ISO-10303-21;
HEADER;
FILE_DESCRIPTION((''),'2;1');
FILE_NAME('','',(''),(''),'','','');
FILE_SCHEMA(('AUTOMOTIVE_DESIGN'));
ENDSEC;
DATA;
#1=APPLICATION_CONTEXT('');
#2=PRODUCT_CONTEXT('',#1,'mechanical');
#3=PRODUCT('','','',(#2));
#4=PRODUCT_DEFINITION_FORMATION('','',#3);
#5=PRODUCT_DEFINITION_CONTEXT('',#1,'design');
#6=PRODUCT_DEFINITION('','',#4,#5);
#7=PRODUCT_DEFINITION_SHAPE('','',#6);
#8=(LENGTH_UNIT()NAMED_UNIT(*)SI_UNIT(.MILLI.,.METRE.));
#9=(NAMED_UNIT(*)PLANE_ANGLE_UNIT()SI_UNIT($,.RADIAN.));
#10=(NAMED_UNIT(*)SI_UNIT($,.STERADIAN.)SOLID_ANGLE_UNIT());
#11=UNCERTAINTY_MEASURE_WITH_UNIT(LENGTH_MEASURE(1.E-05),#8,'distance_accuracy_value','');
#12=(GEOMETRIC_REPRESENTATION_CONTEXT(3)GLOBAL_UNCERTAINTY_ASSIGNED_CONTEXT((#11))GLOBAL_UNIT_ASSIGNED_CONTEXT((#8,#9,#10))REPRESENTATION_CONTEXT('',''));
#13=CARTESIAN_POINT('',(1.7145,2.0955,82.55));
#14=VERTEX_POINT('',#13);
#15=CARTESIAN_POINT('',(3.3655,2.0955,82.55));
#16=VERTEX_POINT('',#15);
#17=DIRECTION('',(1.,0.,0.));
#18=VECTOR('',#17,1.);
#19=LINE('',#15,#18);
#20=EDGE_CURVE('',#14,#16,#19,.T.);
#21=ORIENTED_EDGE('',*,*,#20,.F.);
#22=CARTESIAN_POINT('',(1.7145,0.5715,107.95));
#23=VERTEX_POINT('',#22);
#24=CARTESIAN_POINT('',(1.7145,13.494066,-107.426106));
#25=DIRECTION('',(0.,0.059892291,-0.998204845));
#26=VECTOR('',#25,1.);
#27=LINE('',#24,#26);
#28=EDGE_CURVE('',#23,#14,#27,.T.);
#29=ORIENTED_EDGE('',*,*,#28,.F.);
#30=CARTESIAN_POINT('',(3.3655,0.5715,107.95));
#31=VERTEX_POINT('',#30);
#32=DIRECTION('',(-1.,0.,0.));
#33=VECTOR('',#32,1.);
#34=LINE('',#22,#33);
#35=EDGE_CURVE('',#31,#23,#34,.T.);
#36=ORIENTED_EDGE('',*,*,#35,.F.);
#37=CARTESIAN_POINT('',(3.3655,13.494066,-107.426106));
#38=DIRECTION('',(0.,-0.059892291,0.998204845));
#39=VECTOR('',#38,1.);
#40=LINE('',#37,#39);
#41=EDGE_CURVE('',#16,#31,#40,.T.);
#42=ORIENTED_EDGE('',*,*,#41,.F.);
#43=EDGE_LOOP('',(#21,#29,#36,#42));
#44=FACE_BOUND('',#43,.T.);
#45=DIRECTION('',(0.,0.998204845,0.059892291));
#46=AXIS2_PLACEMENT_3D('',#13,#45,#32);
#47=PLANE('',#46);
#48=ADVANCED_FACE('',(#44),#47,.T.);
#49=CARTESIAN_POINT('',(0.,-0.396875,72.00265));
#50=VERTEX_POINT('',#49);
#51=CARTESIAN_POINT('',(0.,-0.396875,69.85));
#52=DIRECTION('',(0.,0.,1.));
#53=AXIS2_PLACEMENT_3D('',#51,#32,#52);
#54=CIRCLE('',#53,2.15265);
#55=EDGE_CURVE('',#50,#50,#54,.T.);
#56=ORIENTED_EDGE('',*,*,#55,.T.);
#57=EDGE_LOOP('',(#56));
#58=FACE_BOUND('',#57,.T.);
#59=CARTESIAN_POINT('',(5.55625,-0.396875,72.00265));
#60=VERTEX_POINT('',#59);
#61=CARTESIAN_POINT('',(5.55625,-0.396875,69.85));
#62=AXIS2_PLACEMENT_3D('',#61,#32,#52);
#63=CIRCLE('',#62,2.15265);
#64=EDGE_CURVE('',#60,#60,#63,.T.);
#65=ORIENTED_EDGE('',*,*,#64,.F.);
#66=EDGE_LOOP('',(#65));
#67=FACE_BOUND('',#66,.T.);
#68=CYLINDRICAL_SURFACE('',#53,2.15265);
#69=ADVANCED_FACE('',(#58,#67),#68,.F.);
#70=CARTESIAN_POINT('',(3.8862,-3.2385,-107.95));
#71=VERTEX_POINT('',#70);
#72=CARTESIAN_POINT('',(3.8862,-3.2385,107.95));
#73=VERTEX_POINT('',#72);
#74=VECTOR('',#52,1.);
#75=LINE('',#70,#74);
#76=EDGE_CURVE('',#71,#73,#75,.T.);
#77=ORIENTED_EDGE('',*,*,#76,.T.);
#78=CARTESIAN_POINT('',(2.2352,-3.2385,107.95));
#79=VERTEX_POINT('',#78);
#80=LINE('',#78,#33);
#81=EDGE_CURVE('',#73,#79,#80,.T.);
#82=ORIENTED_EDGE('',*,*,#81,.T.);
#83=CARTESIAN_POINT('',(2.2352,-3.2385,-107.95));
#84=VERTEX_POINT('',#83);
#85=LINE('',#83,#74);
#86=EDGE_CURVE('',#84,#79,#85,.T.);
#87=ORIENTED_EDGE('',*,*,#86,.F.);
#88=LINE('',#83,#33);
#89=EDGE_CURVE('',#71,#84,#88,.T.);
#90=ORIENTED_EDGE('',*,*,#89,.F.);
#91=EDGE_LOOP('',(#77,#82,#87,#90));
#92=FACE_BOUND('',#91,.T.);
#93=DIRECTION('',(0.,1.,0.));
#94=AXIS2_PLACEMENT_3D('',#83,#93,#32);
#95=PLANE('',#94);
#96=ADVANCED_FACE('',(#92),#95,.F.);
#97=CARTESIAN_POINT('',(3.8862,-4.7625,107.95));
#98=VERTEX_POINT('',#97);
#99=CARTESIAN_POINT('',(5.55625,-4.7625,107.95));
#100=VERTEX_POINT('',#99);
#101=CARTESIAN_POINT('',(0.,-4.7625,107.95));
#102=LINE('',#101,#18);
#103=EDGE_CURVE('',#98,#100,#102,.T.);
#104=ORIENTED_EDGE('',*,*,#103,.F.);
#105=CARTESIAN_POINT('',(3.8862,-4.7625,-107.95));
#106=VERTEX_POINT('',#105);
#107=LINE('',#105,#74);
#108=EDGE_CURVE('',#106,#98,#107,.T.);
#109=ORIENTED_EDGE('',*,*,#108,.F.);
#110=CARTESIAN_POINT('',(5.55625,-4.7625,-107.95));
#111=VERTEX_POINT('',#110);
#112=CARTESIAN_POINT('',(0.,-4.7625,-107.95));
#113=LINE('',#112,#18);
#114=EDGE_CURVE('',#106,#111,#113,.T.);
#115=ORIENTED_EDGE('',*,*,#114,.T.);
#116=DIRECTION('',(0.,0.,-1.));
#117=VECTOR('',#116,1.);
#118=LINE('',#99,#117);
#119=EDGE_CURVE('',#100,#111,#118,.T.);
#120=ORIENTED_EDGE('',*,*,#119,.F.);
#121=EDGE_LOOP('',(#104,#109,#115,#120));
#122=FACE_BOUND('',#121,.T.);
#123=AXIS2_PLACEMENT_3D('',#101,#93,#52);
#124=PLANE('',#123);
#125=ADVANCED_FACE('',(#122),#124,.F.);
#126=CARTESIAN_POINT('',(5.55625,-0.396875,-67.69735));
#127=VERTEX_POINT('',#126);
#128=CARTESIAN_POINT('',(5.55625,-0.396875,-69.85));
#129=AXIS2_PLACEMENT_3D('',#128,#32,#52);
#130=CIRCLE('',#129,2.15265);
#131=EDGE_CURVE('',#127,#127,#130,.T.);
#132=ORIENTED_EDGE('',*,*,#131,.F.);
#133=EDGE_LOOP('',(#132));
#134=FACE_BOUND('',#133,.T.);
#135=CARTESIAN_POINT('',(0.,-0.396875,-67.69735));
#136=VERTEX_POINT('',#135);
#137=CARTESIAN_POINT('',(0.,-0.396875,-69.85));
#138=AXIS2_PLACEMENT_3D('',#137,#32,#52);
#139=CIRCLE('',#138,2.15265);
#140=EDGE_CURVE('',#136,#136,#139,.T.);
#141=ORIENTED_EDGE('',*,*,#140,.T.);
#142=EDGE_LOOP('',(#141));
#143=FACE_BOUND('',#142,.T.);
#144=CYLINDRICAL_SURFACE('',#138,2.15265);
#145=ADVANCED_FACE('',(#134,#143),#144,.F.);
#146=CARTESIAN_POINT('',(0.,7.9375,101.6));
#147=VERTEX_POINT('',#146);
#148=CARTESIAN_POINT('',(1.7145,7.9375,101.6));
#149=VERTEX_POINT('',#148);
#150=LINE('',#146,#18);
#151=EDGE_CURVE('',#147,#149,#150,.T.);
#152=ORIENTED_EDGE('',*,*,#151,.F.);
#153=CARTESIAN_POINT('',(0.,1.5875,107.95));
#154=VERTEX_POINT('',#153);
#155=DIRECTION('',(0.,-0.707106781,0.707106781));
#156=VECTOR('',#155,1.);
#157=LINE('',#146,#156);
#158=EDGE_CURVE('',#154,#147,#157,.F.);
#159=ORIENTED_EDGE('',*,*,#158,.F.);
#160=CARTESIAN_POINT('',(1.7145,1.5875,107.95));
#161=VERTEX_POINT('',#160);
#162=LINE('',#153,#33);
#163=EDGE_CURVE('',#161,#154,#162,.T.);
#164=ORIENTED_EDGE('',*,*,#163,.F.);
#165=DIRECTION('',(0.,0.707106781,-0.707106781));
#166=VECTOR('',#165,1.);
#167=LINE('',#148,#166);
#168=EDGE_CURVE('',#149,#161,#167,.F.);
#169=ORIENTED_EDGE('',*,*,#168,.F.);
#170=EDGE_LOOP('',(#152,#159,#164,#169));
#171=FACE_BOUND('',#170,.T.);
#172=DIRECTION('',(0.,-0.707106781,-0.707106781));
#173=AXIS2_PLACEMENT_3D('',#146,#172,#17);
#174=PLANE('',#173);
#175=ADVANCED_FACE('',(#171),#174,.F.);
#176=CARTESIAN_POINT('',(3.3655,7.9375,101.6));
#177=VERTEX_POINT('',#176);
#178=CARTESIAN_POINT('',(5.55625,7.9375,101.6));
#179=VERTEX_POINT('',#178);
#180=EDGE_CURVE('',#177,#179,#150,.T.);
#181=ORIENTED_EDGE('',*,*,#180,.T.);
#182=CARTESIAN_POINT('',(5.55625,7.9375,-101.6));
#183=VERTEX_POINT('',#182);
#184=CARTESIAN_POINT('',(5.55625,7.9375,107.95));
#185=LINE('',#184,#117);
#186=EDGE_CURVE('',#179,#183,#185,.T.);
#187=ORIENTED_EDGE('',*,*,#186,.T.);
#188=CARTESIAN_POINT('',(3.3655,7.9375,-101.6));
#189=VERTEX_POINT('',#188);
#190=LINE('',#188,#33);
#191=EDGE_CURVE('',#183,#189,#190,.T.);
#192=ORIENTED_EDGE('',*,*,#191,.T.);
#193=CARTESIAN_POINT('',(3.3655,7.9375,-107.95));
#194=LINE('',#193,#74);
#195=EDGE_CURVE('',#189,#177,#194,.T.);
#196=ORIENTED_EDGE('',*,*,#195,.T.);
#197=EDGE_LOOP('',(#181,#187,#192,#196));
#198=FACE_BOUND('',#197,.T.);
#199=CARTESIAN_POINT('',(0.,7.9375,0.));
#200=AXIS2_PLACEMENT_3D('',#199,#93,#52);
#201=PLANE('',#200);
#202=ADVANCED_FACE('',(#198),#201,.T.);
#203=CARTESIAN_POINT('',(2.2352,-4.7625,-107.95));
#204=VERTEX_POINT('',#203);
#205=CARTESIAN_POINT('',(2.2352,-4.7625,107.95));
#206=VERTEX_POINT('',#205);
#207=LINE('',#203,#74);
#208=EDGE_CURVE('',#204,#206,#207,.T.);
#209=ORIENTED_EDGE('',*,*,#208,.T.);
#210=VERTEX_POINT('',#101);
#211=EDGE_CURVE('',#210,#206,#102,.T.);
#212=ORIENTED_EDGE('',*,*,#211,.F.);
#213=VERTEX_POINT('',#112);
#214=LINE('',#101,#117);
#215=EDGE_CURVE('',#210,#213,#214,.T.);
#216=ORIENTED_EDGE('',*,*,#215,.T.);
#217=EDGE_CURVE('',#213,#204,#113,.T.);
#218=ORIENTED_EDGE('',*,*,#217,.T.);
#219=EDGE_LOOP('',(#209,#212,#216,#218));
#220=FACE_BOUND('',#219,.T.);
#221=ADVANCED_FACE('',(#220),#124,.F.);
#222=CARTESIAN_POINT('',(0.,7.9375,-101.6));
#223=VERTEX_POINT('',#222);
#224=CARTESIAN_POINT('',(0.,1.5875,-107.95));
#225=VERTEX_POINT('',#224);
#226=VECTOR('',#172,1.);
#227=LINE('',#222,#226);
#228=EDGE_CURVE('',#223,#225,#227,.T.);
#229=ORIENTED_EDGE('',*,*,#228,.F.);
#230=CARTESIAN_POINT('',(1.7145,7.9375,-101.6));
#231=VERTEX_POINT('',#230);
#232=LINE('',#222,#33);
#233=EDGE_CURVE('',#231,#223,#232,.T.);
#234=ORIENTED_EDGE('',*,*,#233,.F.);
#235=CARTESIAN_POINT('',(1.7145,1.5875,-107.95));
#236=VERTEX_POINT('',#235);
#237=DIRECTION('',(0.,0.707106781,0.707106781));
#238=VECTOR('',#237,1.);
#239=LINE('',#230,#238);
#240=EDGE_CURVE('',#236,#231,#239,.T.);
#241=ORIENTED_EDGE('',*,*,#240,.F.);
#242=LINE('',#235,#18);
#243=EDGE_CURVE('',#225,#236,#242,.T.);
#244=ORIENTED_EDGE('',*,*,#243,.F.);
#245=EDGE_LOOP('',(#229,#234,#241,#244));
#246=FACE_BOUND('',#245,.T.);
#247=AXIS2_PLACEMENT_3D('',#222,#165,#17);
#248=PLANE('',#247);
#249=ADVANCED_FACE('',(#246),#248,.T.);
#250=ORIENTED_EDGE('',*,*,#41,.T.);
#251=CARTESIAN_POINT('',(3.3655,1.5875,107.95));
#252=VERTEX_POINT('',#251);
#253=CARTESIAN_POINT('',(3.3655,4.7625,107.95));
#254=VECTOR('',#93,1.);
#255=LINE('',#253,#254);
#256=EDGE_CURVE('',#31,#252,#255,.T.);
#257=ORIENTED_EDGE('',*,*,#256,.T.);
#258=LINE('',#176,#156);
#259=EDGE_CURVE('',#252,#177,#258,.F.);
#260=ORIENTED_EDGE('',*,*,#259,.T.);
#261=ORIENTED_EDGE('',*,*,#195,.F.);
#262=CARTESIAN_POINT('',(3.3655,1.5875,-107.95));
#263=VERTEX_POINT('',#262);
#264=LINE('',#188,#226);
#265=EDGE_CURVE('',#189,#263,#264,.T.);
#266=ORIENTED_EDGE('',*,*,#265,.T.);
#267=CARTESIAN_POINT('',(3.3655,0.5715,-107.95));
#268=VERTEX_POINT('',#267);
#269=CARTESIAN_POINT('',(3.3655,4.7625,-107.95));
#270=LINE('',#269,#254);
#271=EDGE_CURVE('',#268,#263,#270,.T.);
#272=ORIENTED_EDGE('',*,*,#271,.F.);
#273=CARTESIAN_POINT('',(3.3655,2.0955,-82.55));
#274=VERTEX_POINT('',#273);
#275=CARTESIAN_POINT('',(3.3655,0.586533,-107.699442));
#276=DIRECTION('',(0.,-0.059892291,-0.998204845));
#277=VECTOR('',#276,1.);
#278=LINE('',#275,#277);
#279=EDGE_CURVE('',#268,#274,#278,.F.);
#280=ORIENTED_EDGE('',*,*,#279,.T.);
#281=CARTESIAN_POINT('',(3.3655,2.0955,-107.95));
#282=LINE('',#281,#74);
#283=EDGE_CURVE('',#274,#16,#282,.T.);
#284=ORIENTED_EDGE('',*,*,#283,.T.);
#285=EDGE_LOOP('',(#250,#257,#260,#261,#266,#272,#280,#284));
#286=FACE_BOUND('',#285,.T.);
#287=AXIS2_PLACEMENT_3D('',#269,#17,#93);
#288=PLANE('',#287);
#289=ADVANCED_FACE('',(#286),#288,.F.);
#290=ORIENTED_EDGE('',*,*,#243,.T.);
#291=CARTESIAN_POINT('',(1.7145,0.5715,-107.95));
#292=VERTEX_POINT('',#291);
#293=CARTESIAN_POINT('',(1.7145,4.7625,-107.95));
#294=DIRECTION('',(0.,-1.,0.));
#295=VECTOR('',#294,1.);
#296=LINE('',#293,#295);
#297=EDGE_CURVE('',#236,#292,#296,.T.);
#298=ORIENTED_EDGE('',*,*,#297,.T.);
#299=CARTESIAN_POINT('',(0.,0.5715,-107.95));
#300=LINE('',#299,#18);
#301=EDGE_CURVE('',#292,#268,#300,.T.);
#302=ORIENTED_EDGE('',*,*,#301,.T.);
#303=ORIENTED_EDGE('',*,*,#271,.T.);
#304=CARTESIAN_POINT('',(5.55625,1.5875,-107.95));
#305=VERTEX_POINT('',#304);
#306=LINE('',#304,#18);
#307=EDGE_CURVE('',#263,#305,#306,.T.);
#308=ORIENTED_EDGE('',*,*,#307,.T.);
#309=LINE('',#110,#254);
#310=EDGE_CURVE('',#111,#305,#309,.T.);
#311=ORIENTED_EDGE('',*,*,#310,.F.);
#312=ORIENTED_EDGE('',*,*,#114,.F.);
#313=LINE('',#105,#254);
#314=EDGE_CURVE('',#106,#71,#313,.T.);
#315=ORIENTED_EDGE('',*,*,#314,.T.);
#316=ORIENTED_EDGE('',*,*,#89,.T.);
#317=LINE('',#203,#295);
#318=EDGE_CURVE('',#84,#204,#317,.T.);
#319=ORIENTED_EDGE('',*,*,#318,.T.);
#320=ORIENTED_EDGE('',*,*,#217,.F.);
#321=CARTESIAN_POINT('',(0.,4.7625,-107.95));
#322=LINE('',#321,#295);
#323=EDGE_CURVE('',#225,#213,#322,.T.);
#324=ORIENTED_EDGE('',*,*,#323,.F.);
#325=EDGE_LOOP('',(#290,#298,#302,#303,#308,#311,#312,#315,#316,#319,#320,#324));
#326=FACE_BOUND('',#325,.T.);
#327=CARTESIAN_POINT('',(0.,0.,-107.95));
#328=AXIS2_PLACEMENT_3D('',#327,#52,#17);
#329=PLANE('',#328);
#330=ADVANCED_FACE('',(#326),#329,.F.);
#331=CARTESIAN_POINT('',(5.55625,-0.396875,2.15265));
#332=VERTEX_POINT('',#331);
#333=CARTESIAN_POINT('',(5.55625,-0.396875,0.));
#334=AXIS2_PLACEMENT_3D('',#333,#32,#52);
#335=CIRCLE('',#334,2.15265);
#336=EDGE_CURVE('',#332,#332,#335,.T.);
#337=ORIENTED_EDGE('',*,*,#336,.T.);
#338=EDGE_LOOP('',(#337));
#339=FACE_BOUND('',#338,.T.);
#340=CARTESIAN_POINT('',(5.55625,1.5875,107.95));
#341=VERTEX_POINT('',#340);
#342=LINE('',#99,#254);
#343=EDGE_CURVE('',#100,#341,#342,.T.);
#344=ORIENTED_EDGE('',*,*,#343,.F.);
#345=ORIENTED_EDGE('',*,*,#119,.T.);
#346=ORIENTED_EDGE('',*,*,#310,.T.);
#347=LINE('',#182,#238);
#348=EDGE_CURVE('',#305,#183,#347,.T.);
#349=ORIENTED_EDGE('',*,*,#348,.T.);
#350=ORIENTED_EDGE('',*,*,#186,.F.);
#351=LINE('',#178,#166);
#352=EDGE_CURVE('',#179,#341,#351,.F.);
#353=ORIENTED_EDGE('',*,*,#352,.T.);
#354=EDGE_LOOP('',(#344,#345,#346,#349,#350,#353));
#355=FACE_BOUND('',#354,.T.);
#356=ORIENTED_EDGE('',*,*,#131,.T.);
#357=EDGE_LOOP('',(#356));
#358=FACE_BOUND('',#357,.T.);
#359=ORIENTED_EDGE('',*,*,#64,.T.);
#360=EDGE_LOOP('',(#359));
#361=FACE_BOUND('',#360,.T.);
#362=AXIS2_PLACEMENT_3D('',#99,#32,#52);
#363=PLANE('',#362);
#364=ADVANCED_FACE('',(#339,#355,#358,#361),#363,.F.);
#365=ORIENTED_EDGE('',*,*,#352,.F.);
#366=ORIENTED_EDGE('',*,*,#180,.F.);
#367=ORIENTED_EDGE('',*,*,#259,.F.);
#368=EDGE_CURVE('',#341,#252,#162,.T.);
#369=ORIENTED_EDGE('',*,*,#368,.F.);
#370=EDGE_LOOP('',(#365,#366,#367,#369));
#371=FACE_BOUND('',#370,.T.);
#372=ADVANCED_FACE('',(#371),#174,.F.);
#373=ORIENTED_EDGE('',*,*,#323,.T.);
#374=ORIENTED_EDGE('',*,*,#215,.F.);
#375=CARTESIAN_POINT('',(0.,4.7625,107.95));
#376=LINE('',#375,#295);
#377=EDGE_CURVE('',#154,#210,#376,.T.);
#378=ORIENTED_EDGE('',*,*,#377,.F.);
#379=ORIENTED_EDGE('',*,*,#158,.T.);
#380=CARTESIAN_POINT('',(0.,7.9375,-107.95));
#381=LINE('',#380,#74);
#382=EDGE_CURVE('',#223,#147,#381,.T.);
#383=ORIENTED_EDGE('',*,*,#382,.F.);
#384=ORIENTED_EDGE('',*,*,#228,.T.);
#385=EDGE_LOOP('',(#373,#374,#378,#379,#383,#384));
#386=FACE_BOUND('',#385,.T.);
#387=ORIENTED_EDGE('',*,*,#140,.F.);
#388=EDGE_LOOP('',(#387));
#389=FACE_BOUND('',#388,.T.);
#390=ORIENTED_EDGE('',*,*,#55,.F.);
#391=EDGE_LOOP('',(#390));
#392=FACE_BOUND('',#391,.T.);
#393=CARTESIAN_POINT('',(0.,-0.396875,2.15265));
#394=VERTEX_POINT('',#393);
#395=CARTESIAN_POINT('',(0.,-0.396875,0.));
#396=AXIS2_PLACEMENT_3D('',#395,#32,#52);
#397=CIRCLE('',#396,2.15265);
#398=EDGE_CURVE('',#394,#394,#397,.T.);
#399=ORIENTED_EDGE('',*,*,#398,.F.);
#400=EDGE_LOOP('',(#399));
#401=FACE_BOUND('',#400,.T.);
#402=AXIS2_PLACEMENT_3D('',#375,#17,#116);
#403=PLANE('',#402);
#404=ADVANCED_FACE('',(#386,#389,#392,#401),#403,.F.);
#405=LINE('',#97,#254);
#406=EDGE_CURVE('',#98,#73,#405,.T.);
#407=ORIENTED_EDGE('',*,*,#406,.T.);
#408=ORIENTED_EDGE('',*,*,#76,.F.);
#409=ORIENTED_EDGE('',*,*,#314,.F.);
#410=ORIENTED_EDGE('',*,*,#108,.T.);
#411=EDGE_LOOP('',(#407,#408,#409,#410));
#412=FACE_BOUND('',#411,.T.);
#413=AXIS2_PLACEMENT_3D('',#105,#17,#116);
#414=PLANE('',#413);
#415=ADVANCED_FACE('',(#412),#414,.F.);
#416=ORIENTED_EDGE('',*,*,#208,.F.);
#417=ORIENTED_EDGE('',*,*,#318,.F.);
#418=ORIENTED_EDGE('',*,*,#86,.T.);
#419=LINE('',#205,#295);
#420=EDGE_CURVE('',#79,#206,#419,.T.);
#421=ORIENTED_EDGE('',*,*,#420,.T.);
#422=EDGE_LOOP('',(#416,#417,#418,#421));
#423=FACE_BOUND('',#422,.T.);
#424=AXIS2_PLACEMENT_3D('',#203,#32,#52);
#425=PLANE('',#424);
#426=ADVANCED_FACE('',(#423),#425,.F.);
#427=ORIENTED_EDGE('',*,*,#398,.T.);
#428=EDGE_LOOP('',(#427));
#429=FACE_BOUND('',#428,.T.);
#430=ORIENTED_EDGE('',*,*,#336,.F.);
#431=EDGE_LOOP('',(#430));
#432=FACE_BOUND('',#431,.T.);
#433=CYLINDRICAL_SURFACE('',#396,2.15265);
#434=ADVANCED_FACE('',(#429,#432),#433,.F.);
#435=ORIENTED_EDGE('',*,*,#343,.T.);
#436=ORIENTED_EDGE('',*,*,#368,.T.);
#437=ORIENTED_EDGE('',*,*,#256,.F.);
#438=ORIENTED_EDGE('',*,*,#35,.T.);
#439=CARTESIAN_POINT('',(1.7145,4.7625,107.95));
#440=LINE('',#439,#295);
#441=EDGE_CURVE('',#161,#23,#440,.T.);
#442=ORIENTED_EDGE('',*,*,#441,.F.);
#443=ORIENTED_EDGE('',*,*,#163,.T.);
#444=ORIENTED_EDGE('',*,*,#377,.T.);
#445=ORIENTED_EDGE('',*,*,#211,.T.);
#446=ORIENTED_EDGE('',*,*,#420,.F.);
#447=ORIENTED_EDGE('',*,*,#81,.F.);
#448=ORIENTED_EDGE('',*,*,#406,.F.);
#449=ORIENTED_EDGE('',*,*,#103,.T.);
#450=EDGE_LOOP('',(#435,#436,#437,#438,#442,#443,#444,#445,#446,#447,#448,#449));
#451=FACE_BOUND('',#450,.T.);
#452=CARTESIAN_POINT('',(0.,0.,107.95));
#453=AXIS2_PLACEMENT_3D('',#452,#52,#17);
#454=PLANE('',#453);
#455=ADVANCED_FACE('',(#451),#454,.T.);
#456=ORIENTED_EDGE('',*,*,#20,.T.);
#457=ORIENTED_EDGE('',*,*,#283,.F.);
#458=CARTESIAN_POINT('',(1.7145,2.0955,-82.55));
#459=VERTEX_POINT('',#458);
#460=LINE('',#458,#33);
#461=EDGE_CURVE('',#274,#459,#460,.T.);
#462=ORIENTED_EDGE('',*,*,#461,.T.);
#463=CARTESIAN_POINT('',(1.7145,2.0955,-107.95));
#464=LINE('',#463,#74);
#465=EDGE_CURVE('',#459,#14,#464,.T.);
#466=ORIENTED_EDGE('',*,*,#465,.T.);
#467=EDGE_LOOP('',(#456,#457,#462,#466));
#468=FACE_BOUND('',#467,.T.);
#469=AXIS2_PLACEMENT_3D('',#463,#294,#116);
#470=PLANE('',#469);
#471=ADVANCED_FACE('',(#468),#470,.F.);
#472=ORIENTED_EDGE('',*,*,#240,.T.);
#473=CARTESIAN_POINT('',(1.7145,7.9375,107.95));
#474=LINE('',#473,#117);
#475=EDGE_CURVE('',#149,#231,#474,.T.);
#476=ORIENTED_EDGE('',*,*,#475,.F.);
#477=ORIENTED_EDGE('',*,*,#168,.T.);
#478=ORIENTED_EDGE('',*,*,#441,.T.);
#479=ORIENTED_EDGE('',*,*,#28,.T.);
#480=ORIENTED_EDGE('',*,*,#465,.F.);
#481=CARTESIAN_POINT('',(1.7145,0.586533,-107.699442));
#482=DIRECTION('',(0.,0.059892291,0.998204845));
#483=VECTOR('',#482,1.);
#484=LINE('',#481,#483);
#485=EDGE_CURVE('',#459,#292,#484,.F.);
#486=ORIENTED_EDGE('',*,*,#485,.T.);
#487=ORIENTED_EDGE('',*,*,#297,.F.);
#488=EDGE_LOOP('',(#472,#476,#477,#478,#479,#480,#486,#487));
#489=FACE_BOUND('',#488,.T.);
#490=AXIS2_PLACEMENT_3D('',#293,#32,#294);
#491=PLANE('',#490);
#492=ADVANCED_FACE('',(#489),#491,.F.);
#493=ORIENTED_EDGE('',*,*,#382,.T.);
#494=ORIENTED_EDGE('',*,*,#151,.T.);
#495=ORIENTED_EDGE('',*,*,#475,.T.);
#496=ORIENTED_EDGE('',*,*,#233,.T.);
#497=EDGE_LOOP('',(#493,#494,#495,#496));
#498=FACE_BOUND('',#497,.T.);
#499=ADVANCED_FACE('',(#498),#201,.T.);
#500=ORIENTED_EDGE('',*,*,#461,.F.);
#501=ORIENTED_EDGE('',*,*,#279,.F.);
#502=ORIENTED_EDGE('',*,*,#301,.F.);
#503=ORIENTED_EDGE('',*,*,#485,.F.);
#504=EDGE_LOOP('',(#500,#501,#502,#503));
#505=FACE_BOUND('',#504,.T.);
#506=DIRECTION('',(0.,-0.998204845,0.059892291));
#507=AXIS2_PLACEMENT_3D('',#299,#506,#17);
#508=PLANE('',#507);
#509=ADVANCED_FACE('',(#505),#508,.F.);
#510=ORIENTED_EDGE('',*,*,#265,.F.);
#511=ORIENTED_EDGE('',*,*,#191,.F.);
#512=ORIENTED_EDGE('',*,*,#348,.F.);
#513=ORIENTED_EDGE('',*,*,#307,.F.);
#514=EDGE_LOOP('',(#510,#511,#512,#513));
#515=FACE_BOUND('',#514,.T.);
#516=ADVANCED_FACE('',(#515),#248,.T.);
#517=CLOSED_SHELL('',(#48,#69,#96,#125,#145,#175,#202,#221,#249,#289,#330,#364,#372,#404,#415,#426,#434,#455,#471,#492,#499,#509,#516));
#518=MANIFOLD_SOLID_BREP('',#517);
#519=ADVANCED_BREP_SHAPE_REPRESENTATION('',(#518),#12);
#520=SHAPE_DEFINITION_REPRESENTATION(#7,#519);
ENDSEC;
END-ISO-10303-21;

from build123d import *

# Parameters (mm, degrees)
SKETCH1_W                    = 5.55625
SKETCH1_H                    = 9.525
BOSS_EXTRUDE1_DEPTH          = 107.95
SKETCH17_W                   = 1.651
SKETCH17_H                   = 2.667
CUT_EXTRUDE8_DEPTH           = 216.9
SKETCH18_W                   = 1.651
SKETCH18_H                   = 1.524
CUT_EXTRUDE9_DEPTH           = 216.9
F_18_0_1695_DIAMETER_HOLE1_D = 4.3053
CHAMFER1_SIZE                = 1.524
CHAMFER1_SIZE2               = 25.4
CHAMFER2_SIZE                = 25.4
CHAMFER2_SIZE2               = 1.524
SKETCH25_W                   = 1.7145
SKETCH25_H                   = 215.9
SKETCH25_W_2                 = 2.19075
BOSS_EXTRUDE2_DEPTH          = 3.175
CHAMFER3_SIZE                = 6.35


with BuildPart() as part:
    # Sketch1 → Boss-Extrude1 (new body, symmetric)
    with BuildSketch(Plane.XY):
        with Locations((2.778125, 0)):
            Rectangle(SKETCH1_W, SKETCH1_H)
    extrude(amount=BOSS_EXTRUDE1_DEPTH, both=True)

    # Sketch17 → Cut-Extrude8 (cut, through all)
    with BuildSketch(Plane.XY.offset(107.95)):
        with Locations((2.54, 3.429)):
            Rectangle(SKETCH17_W, SKETCH17_H)
    extrude(amount=-CUT_EXTRUDE8_DEPTH, mode=Mode.SUBTRACT)

    # Sketch18 → Cut-Extrude9 (cut, through all)
    with BuildSketch(Plane.XY.offset(107.95)):
        with Locations((3.0607, -4.0005)):
            Rectangle(SKETCH18_W, SKETCH18_H)
    extrude(amount=-CUT_EXTRUDE9_DEPTH, mode=Mode.SUBTRACT)

    # #18 (0.1695) Diameter Hole1 (through all)
    with Locations(Plane.ZY):
        with Locations((69.85, -0.396875), (-69.85, -0.396875), (0, -0.396875)):
            Hole(F_18_0_1695_DIAMETER_HOLE1_D / 2)

    # Chamfer1
    chamfer1_edges = [part.edges().sort_by_distance(p)[0] for p in [
        (2.54, 2.0955, 107.95),
    ]]
    chamfer1_side = [part.faces().sort_by_distance(p)[0] for p in [
        (2.785461813, -0.109400999, 107.95),
    ]]
    chamfer(chamfer1_edges, length=CHAMFER1_SIZE, length2=CHAMFER1_SIZE2, reference=chamfer1_side[0])

    # Chamfer2
    chamfer2_edges = [part.edges().sort_by_distance(p)[0] for p in [
        (2.54, 2.0955, -107.95),
    ]]
    chamfer2_side = [part.faces().sort_by_distance(p)[0] for p in [
        (2.54, 2.0955, -12.7),
    ]]
    chamfer(chamfer2_edges, length=CHAMFER2_SIZE, length2=CHAMFER2_SIZE2, reference=chamfer2_side[0])

    # Sketch25 → Boss-Extrude2 (add)
    with BuildSketch(Plane(origin=(0, 4.7625, 0), x_dir=(1, 0, 0), z_dir=(0, 1, 0))):
        with Locations((0.85725, 0)):
            Rectangle(SKETCH25_W, SKETCH25_H)
        with Locations((4.460875, 0)):
            Rectangle(SKETCH25_W_2, SKETCH25_H)
    extrude(amount=BOSS_EXTRUDE2_DEPTH)

    # Chamfer3
    chamfer3_edges = [part.edges().sort_by_distance(p)[0] for p in [
        (4.460875, 7.9375, -107.95),
        (4.460875, 7.9375, 107.95),
        (0.85725, 7.9375, 107.95),
        (0.85725, 7.9375, -107.95),
    ]]
    chamfer(chamfer3_edges, length=CHAMFER3_SIZE)


solid = part.part
